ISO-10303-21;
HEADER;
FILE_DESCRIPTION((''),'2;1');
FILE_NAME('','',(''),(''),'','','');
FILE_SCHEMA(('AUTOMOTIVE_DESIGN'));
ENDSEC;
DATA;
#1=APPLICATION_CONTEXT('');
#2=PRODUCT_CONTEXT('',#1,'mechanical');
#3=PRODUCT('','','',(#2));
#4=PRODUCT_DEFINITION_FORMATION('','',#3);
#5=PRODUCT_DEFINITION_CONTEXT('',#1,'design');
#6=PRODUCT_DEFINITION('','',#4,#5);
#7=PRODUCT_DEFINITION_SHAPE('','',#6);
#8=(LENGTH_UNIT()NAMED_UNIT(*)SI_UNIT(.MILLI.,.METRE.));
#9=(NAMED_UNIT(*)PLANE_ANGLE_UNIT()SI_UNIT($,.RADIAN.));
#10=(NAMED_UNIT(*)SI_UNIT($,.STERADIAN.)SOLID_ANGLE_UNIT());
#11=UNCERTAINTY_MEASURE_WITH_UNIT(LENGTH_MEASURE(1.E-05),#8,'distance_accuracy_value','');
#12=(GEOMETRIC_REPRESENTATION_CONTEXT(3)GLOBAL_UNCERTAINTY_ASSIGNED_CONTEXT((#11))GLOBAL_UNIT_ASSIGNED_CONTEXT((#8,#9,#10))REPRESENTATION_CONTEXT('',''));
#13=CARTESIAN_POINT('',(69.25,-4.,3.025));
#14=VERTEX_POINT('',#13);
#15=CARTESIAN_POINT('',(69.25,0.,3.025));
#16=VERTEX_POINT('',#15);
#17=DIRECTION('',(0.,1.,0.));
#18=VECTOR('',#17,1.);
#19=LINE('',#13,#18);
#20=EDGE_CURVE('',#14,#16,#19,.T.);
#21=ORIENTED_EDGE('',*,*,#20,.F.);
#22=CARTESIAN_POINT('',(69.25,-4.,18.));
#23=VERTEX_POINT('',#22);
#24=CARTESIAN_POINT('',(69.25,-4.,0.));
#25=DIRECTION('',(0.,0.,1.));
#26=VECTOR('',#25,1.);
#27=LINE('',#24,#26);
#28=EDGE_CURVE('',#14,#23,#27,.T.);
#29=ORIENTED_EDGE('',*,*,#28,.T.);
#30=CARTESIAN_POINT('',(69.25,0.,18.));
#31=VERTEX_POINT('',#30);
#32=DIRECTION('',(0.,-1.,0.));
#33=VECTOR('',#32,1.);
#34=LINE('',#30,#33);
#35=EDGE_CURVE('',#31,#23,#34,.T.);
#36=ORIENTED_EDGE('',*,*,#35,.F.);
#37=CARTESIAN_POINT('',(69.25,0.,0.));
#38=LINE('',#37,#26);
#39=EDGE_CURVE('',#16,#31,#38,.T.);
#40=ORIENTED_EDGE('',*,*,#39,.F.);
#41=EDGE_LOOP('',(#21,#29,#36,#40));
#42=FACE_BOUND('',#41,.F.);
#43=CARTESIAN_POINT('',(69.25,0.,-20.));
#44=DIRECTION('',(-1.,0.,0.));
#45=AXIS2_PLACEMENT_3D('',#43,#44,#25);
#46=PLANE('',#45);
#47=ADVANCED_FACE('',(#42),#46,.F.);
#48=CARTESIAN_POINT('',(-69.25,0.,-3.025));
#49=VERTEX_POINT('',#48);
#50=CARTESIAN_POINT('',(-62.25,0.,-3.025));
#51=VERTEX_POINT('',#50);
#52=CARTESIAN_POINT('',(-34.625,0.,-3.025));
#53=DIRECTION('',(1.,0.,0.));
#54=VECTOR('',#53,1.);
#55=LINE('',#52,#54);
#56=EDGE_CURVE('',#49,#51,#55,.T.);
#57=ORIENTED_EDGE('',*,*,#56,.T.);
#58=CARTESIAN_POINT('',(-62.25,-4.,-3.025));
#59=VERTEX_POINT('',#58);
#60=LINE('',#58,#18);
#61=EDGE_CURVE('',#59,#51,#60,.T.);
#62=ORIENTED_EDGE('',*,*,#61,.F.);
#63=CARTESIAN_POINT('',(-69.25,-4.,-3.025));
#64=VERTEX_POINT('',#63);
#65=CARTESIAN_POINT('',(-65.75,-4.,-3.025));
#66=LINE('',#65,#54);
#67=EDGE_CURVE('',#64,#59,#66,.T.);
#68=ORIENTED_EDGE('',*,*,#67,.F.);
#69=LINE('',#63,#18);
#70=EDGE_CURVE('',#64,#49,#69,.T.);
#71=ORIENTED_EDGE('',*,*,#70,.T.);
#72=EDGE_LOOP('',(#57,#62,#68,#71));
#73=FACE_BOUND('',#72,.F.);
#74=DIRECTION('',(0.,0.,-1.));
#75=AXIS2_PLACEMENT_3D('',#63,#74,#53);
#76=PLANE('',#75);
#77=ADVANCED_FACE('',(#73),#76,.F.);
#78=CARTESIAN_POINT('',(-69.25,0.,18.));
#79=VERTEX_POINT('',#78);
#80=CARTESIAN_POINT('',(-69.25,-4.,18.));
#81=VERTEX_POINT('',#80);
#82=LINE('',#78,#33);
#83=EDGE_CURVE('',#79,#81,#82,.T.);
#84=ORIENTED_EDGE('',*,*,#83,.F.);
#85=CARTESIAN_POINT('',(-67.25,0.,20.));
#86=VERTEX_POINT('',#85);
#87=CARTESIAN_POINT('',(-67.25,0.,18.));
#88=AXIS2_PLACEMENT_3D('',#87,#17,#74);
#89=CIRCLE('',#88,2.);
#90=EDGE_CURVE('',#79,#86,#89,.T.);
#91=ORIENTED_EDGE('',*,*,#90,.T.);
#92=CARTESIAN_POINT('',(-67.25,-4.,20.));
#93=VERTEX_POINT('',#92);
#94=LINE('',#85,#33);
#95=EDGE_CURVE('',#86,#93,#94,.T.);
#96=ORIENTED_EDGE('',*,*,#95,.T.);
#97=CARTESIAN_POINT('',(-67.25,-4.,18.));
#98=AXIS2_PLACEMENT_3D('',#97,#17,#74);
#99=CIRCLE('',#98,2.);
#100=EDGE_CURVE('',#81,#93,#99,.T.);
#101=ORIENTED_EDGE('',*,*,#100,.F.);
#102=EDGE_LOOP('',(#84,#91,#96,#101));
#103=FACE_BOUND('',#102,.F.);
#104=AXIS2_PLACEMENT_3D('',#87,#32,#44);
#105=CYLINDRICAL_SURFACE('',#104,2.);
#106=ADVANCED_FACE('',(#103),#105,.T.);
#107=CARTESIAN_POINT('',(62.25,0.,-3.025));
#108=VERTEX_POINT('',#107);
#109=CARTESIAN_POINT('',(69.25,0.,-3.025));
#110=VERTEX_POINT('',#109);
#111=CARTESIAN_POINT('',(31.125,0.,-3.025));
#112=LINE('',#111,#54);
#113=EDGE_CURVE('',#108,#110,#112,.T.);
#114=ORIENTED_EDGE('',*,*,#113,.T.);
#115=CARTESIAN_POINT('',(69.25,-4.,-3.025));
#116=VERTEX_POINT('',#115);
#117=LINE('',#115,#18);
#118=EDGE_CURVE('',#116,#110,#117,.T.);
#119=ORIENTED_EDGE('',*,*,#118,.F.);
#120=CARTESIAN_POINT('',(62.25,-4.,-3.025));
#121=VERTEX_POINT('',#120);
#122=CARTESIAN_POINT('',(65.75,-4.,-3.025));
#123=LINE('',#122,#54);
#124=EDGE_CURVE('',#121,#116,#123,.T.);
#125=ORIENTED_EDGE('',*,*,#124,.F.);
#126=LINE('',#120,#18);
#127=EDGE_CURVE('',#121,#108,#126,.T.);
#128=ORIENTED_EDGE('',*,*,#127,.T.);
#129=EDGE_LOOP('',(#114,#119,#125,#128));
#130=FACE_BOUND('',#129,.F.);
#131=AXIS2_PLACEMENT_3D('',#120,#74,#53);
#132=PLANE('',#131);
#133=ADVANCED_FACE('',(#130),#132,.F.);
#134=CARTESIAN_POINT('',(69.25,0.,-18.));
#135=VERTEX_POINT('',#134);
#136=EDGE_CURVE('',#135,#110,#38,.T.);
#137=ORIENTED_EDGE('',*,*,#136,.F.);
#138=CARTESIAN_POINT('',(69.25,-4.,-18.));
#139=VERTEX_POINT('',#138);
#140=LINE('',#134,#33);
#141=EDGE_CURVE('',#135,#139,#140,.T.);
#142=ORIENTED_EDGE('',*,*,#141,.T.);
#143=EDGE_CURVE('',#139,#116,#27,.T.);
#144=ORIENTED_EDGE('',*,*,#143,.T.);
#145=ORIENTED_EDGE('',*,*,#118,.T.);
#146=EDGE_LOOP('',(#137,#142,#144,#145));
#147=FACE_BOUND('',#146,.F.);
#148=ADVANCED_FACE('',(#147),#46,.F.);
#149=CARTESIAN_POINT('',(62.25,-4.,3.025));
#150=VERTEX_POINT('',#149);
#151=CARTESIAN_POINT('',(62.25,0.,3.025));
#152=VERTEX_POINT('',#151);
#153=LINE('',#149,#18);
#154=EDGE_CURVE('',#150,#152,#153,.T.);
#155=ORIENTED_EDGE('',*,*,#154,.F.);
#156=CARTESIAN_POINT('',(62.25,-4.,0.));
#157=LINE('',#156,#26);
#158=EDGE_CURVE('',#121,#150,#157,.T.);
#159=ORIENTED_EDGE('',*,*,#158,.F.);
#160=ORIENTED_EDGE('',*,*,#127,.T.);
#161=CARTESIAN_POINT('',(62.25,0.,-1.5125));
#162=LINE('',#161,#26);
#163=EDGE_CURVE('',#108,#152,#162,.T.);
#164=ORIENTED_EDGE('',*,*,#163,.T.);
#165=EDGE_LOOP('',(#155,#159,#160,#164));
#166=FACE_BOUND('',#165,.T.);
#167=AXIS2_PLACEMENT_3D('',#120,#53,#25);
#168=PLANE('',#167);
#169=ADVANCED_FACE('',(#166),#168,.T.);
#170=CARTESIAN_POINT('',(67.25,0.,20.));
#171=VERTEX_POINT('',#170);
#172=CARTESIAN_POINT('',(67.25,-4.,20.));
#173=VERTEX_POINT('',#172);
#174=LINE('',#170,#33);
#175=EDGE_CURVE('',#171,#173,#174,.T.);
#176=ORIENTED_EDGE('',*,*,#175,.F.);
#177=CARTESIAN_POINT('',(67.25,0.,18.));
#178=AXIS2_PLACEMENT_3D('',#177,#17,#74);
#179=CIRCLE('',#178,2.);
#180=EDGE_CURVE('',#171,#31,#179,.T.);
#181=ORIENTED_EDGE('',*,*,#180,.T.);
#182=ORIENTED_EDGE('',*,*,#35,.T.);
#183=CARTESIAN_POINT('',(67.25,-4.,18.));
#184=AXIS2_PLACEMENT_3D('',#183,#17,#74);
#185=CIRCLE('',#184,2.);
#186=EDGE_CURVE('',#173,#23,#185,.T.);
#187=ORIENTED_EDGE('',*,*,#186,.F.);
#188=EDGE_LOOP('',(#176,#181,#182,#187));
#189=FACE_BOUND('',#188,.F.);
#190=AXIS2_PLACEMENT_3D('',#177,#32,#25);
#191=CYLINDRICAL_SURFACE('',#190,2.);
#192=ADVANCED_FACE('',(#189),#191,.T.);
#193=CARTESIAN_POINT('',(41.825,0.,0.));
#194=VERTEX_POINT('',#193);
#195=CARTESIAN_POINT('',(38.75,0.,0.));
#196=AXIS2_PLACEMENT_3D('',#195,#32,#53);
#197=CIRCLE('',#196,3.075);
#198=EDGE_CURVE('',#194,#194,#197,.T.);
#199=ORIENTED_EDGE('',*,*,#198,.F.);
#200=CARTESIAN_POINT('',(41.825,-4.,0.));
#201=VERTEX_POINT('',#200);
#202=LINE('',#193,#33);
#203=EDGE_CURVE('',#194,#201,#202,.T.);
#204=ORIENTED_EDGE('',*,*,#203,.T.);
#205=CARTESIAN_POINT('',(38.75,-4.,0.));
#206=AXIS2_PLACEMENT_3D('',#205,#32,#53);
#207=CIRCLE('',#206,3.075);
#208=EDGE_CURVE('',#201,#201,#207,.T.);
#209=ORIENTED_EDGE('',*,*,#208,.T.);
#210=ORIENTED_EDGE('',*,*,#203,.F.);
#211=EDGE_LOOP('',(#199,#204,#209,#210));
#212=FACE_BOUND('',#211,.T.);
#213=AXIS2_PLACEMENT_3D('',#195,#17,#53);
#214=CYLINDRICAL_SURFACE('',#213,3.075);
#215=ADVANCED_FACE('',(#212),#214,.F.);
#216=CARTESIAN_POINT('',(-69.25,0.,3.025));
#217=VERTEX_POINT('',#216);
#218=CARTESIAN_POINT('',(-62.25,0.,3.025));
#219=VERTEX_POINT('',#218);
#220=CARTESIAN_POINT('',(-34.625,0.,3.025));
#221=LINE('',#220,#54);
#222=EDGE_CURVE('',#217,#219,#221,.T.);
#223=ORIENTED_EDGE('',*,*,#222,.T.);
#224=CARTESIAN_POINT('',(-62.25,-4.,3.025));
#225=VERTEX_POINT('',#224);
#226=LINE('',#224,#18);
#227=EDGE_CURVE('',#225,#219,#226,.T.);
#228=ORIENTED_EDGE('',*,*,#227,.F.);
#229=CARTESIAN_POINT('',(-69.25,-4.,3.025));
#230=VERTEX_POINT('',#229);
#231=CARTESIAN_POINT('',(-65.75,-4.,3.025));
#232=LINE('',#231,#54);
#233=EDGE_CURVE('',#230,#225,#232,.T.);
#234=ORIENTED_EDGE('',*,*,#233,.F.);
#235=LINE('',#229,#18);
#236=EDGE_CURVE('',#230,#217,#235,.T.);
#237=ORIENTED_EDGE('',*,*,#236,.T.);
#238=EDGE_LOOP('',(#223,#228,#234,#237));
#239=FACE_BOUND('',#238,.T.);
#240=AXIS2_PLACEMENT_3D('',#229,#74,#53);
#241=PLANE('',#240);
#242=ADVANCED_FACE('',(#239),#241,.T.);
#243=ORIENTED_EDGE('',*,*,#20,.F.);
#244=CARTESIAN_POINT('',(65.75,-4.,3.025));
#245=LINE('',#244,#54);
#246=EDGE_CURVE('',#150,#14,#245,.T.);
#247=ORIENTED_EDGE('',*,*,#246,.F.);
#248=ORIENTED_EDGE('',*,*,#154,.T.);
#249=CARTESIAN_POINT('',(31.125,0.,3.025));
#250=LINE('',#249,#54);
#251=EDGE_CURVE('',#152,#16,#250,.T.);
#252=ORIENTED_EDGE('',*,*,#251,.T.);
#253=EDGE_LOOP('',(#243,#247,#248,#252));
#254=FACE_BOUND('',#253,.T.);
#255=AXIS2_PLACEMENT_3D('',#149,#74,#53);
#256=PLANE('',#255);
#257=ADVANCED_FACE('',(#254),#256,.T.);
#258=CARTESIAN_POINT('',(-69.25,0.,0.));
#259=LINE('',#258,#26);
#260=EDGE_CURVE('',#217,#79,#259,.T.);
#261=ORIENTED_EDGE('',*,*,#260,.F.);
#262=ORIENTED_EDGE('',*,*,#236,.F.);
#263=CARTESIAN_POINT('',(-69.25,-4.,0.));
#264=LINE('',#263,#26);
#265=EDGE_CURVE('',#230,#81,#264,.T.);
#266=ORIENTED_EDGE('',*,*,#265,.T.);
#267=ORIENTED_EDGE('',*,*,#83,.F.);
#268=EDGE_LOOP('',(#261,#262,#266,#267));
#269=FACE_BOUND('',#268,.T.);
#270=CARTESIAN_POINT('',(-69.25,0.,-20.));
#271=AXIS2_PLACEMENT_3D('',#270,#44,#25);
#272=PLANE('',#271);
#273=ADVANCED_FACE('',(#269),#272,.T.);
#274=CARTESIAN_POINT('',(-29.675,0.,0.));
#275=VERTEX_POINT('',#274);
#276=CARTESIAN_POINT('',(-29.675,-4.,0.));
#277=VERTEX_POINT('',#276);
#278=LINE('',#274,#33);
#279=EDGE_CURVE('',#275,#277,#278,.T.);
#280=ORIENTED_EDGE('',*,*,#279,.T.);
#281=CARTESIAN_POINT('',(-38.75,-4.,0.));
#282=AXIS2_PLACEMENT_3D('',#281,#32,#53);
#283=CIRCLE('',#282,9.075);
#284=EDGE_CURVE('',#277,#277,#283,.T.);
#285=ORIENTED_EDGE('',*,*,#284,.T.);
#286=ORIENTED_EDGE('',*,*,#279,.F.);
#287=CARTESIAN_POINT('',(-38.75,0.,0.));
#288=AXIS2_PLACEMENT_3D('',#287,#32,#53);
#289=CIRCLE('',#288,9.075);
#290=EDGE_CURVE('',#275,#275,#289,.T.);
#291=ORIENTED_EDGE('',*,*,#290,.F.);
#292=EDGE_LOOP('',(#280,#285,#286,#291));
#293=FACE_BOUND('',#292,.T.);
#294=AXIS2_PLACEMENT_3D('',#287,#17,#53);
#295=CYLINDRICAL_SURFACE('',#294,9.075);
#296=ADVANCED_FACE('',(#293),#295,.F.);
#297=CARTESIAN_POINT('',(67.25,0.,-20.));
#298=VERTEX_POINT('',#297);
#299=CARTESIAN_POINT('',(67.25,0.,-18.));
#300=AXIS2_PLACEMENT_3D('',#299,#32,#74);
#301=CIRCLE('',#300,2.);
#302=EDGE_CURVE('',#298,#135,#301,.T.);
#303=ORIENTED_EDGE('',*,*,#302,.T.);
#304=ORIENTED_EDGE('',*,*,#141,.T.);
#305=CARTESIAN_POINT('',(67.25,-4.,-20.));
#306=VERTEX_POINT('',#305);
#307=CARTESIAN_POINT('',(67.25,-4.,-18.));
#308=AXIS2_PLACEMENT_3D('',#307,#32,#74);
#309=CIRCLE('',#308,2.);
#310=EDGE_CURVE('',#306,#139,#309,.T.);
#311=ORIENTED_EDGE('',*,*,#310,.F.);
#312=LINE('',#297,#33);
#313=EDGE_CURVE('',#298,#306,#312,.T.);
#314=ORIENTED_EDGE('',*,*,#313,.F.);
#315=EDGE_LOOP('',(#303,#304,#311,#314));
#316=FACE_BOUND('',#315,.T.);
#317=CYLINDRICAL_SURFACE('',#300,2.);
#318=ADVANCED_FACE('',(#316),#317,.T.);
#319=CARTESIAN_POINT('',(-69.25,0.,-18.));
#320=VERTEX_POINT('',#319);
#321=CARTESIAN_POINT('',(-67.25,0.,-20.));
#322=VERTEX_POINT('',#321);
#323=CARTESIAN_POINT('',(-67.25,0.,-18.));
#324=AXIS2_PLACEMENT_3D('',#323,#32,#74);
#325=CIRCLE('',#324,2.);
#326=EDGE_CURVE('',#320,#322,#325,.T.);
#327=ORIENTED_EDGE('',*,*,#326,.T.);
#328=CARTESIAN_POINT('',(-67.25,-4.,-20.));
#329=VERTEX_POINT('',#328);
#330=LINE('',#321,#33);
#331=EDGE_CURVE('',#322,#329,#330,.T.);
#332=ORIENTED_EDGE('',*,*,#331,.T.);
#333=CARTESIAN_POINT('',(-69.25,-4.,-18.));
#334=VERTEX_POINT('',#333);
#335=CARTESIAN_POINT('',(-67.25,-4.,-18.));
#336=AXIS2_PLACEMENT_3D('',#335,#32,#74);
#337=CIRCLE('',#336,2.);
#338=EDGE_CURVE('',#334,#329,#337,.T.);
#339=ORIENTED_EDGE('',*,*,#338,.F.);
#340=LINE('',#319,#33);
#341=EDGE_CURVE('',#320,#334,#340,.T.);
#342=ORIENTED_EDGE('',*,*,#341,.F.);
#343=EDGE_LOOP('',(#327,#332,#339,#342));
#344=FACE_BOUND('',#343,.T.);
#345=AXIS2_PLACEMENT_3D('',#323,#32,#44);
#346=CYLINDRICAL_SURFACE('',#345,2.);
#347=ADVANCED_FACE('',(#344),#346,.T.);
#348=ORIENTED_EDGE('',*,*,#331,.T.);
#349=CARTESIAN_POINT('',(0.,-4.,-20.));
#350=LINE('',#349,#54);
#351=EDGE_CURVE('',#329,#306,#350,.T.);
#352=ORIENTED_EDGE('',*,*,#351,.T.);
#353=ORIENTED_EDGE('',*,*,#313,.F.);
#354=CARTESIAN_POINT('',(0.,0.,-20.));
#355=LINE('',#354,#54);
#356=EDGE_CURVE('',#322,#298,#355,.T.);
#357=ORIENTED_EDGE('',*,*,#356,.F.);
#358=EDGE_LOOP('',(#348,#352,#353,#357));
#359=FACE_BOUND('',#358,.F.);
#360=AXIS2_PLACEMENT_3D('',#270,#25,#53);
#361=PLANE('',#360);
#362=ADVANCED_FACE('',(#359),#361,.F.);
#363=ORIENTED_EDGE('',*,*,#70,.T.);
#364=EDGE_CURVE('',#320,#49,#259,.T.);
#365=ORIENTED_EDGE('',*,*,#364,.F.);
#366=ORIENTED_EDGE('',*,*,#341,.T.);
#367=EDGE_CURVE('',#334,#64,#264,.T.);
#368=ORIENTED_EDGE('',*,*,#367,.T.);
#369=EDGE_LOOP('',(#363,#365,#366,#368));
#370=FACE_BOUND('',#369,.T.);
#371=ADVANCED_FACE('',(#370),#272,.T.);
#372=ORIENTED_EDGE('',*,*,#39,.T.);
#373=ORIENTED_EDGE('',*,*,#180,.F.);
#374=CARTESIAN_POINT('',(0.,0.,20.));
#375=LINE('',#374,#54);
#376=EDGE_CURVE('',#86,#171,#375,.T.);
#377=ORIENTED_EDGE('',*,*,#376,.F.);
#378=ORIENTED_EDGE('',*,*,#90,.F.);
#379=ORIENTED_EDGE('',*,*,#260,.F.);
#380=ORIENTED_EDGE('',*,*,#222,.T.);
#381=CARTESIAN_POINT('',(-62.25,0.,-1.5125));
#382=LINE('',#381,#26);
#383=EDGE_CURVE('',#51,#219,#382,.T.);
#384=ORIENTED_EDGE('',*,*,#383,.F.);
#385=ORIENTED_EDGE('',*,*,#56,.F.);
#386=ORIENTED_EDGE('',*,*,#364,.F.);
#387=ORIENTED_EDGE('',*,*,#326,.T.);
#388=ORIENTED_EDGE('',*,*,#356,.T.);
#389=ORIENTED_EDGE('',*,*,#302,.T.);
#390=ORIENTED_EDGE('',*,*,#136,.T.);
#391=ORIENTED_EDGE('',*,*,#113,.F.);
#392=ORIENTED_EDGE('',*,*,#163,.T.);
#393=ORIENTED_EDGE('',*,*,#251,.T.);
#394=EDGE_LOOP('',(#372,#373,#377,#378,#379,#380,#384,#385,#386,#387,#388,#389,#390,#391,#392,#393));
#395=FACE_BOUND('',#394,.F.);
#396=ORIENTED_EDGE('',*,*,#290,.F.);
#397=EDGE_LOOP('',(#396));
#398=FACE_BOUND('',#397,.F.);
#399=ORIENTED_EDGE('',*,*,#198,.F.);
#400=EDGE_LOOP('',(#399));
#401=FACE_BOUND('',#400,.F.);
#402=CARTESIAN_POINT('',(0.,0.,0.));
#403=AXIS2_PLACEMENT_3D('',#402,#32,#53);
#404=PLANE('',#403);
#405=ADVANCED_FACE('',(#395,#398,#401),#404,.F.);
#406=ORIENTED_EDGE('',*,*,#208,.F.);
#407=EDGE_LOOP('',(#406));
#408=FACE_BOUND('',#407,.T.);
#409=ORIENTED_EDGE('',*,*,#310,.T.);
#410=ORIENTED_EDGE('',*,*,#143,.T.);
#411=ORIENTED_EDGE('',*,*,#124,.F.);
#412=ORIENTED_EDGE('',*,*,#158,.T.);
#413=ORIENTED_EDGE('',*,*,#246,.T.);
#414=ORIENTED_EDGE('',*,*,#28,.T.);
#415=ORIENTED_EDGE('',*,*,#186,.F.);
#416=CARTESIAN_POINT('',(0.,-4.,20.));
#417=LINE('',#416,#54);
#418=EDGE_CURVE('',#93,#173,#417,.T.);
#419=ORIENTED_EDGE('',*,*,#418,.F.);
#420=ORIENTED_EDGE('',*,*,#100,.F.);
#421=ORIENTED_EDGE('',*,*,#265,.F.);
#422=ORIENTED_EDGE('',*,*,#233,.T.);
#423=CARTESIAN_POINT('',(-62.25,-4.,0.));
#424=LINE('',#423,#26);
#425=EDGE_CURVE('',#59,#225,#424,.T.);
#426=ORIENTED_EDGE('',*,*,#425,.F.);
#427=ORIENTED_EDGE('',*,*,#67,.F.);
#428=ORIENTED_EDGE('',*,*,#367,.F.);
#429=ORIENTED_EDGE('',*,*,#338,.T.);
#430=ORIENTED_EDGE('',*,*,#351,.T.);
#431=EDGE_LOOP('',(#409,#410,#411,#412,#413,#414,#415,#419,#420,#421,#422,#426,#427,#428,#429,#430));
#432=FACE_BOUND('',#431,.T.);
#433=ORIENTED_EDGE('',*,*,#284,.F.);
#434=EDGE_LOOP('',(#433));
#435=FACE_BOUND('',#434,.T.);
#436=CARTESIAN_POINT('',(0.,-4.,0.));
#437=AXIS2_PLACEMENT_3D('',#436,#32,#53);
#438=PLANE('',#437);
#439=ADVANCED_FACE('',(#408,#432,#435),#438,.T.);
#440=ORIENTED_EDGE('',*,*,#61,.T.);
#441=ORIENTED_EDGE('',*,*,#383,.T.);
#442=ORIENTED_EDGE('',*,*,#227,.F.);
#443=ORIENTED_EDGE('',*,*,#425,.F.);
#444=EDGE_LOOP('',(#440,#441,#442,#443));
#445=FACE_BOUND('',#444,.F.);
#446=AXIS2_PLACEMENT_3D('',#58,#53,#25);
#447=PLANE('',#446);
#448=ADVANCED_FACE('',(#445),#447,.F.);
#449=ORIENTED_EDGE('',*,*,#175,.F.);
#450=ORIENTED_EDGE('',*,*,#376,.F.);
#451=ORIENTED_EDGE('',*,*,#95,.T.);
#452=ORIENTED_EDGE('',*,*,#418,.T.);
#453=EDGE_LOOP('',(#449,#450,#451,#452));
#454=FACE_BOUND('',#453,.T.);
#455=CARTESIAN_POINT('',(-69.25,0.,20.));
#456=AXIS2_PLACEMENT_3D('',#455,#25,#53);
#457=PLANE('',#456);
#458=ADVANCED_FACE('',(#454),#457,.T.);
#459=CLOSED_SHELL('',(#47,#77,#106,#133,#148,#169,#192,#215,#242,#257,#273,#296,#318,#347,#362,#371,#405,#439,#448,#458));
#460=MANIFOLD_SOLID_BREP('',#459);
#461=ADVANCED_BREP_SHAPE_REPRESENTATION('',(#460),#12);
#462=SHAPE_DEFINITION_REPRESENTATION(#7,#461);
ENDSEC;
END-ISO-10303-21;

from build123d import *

# Parameters (mm, degrees)
F0_W     = 138.5
F0_H     = 40
F0_R     = 9.075
F0_R_2   = 3.075
F1_DEPTH = 4
F2_R     = 2
F3_W     = 7
F3_H     = 6.05
F4_DEPTH = 25


with BuildPart() as f1:
    # F0 (on Front) → F1 (new body)
    with BuildSketch(Plane.XZ):
        Rectangle(F0_W, F0_H)
        with Locations((-38.75, 0)):
            Circle(F0_R, mode=Mode.SUBTRACT)
        with Locations((38.75, 0)):
            Circle(F0_R_2, mode=Mode.SUBTRACT)
    extrude(amount=F1_DEPTH)

    # F2
    f2_edges = [f1.edges().sort_by_distance(p)[0] for p in [
        (-69.25, -2, -20),
        (-69.25, -2, 20),
        (69.25, -2, -20),
        (69.25, -2, 20),
    ]]
    fillet(f2_edges, radius=F2_R)

    # F3 (on face) → F4 (cut)
    with BuildSketch(Plane.XZ.offset(4)):
        with Locations((-65.75, 0)):
            Rectangle(F3_W, F3_H)
        with Locations((65.75, 0)):
            Rectangle(F3_W, F3_H)
    extrude(amount=-F4_DEPTH, mode=Mode.SUBTRACT)


solid = f1.part
